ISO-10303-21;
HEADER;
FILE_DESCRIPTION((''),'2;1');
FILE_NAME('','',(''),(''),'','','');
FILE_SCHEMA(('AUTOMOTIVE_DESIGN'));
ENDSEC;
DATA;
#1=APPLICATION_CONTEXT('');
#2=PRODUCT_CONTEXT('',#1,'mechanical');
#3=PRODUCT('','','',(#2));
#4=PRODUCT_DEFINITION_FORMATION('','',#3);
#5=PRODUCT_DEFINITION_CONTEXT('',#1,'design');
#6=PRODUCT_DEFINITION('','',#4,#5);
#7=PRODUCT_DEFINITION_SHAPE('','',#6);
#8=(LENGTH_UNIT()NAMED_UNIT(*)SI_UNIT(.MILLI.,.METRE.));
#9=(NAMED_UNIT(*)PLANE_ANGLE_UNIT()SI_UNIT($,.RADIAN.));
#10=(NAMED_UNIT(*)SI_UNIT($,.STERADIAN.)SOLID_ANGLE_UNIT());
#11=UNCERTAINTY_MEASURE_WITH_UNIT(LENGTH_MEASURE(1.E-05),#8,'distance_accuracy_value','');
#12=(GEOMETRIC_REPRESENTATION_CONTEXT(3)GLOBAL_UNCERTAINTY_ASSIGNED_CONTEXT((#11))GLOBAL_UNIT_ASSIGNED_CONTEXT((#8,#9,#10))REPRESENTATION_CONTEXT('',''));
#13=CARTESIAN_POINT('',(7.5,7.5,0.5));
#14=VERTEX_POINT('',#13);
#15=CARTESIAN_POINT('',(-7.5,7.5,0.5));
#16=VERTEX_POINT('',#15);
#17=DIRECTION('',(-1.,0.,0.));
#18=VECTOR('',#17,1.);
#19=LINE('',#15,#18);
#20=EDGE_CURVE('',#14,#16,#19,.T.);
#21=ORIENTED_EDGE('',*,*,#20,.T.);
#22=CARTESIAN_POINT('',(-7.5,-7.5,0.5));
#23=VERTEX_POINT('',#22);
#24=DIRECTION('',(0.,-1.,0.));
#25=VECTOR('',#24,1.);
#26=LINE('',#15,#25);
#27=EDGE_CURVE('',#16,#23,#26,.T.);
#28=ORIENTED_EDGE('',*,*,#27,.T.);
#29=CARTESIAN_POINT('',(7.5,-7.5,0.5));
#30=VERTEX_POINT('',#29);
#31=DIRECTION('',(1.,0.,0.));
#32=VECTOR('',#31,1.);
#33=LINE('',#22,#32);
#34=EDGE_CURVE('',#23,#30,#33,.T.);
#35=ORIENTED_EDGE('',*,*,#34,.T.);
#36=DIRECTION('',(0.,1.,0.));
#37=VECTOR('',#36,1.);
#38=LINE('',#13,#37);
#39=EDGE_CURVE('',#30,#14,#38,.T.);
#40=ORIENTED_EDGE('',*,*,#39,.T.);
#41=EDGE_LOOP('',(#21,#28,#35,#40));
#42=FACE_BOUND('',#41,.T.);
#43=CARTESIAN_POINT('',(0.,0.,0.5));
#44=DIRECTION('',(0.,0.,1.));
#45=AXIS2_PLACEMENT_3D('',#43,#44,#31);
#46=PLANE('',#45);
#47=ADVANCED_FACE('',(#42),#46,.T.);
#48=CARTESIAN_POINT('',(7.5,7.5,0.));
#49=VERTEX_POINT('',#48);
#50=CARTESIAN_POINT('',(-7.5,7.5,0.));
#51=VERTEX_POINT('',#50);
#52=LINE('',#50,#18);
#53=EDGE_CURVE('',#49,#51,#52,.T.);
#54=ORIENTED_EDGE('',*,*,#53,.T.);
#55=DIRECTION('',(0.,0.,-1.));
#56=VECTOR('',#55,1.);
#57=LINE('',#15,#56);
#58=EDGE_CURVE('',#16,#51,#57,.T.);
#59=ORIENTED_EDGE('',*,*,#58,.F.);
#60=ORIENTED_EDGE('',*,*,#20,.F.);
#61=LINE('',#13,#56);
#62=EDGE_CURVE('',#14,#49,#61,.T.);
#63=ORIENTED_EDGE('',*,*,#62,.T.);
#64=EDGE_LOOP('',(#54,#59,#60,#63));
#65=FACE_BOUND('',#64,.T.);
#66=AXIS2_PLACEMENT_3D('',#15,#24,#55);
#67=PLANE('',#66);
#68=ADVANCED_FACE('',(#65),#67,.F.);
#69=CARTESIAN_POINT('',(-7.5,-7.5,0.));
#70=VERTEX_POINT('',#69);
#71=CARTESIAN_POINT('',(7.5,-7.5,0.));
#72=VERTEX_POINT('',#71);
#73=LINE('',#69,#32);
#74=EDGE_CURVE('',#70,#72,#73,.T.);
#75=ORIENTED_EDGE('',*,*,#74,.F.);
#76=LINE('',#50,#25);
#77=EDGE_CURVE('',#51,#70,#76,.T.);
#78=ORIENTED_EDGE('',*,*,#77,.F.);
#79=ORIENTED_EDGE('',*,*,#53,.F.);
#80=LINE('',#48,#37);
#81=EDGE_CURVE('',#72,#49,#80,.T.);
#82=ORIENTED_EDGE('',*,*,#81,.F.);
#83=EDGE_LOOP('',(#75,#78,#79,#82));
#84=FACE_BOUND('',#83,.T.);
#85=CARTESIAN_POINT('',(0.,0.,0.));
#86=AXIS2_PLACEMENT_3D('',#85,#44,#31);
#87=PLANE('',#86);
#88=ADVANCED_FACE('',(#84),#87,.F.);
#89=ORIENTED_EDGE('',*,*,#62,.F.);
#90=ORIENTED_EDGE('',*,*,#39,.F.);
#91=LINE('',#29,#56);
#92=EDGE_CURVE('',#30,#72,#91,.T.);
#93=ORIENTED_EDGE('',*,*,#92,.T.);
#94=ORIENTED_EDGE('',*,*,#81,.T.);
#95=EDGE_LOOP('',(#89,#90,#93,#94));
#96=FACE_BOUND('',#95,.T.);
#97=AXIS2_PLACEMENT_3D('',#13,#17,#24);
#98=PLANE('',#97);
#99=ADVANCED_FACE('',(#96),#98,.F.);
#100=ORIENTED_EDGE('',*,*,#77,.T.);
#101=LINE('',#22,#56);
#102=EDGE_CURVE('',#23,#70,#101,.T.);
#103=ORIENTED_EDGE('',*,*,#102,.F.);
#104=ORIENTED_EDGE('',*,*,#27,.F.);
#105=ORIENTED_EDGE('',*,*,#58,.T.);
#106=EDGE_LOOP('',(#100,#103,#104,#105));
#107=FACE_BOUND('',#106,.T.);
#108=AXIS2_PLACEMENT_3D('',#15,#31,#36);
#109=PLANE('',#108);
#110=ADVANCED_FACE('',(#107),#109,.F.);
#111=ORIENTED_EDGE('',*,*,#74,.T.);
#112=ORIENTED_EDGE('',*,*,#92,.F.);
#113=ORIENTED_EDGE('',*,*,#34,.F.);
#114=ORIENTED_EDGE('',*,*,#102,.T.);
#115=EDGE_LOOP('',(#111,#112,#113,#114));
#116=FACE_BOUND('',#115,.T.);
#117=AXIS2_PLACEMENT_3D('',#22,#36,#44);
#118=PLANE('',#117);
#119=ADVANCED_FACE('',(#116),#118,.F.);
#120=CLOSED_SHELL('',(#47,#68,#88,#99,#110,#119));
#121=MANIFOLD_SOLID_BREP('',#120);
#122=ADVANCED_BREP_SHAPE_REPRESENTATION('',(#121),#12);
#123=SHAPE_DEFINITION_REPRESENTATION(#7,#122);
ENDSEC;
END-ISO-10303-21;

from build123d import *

# Parameters (mm, degrees)
CROQUIS1_W              = 15
CROQUIS1_H              = 15
SALIENTE_EXTRUIR1_DEPTH = 0.5


with BuildPart() as part:
    # Croquis1 → Saliente-Extruir1 (new body)
    with BuildSketch(Plane.XY):
        Rectangle(CROQUIS1_W, CROQUIS1_H)
    extrude(amount=SALIENTE_EXTRUIR1_DEPTH)


solid = part.part
